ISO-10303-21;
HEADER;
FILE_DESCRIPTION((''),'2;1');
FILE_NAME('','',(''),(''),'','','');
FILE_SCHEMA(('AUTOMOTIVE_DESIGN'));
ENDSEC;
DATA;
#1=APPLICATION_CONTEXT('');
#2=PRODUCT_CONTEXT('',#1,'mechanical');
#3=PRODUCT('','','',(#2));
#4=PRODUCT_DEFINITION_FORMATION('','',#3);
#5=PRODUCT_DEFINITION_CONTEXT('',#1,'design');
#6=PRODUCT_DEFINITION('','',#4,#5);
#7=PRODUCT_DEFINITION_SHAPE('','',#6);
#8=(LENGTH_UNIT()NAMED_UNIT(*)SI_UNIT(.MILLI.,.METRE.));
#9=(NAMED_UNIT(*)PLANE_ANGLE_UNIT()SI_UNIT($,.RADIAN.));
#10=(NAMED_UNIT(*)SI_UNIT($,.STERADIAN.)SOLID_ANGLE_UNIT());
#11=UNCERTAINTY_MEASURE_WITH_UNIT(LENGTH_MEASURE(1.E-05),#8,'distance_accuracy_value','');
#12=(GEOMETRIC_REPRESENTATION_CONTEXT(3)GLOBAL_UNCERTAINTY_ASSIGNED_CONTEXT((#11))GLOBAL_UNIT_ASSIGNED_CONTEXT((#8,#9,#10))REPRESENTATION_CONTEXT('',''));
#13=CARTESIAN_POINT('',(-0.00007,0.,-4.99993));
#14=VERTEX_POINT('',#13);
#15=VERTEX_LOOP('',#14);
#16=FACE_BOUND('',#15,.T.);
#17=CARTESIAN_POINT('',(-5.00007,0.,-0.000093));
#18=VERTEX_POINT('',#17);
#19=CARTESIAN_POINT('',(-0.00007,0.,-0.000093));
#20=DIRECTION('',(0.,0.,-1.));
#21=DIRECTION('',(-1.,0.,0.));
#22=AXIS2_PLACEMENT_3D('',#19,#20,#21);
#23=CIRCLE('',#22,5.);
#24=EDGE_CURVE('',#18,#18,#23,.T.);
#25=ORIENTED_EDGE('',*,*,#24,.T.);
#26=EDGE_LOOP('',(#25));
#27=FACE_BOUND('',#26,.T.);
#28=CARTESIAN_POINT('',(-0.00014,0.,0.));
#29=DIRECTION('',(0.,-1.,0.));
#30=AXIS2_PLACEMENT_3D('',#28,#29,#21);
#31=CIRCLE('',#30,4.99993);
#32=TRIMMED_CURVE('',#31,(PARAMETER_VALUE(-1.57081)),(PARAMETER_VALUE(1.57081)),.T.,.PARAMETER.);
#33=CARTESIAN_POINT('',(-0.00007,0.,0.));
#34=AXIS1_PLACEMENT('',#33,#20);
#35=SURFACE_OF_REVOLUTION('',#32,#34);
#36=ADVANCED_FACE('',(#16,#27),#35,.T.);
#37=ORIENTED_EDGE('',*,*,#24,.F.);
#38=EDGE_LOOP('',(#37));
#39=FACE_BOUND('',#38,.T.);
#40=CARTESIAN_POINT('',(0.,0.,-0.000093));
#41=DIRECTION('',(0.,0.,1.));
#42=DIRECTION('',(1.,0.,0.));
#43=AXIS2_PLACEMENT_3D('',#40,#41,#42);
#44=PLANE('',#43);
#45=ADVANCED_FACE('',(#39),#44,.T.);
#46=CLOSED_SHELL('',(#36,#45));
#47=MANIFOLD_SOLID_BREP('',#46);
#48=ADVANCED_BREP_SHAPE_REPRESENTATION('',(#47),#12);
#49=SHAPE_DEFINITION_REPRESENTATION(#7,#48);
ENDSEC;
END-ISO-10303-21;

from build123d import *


with BuildPart() as part:
    # ｽｹｯﾁ1 one side → 回転2 (revolve)
    with BuildSketch(Plane(origin=(0, 0, 0), x_dir=(1, 0, 0), z_dir=(0, 1, 0))):
        with BuildLine():
            Line((-7.0145e-05, 9.3258e-05), (4.999929855, 9.3258e-05))
            ThreePointArc((4.999929855, 9.3258e-05), (3.53540599, 3.535521533), (-7.0145e-05, 4.999929855))
            Line((-7.0145e-05, 4.999929855), (-7.0145e-05, 9.3258e-05))
        make_face()
    revolve(axis=Axis((-7.0145e-05, 0, -4.999929855), (0, 0, 1)))


solid = part.part
